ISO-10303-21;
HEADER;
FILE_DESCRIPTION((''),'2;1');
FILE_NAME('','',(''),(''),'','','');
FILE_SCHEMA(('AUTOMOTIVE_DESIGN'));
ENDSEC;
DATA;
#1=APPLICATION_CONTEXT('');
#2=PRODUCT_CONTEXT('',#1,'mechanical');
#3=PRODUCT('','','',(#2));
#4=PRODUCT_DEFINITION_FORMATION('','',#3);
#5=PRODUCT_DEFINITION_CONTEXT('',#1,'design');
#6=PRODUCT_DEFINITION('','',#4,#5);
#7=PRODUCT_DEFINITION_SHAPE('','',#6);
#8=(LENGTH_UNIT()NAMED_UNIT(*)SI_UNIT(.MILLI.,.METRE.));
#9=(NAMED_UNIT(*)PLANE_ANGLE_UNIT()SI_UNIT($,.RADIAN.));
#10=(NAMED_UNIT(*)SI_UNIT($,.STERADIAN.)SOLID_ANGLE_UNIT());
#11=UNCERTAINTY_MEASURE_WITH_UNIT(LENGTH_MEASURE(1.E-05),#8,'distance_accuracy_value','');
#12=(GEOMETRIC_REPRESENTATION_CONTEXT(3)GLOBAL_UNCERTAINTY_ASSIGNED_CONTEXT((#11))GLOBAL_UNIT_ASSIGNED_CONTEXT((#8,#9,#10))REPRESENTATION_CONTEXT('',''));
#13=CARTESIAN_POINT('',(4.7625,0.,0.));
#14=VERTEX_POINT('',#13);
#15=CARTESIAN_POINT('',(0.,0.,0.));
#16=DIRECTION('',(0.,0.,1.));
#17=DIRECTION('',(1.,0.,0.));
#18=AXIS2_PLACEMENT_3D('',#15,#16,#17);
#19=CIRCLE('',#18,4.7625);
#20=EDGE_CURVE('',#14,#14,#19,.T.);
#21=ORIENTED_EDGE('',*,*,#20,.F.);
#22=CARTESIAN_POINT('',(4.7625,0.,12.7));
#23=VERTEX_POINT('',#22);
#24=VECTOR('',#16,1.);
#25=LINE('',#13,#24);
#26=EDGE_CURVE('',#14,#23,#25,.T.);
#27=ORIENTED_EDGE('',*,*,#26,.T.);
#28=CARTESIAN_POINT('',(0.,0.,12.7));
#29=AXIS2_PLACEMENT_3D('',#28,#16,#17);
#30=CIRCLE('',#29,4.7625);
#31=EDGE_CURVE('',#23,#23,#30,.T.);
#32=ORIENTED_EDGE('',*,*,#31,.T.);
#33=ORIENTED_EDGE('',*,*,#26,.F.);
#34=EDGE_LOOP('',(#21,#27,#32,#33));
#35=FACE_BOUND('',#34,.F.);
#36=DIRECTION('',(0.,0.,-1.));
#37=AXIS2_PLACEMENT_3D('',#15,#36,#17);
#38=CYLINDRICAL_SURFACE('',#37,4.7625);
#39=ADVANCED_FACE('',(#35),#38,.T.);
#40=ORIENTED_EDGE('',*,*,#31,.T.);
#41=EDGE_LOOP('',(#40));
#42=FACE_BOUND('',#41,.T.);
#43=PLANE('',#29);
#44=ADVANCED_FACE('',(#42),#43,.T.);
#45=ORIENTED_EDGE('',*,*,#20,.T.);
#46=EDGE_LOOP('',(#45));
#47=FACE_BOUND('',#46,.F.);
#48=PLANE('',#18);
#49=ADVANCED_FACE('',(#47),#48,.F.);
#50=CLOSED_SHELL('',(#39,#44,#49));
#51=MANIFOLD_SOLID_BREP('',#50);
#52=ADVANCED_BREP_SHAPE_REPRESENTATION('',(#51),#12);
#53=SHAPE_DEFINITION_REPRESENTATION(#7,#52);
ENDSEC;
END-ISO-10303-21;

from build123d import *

# Parameters (mm, degrees)
SKETCH2_R           = 4.7625
BOSS_EXTRUDE1_DEPTH = 12.7


with BuildPart() as part:
    # Sketch2 → Boss-Extrude1 (new body)
    with BuildSketch(Plane.XY):
        Circle(SKETCH2_R)
    extrude(amount=BOSS_EXTRUDE1_DEPTH)


solid = part.part
